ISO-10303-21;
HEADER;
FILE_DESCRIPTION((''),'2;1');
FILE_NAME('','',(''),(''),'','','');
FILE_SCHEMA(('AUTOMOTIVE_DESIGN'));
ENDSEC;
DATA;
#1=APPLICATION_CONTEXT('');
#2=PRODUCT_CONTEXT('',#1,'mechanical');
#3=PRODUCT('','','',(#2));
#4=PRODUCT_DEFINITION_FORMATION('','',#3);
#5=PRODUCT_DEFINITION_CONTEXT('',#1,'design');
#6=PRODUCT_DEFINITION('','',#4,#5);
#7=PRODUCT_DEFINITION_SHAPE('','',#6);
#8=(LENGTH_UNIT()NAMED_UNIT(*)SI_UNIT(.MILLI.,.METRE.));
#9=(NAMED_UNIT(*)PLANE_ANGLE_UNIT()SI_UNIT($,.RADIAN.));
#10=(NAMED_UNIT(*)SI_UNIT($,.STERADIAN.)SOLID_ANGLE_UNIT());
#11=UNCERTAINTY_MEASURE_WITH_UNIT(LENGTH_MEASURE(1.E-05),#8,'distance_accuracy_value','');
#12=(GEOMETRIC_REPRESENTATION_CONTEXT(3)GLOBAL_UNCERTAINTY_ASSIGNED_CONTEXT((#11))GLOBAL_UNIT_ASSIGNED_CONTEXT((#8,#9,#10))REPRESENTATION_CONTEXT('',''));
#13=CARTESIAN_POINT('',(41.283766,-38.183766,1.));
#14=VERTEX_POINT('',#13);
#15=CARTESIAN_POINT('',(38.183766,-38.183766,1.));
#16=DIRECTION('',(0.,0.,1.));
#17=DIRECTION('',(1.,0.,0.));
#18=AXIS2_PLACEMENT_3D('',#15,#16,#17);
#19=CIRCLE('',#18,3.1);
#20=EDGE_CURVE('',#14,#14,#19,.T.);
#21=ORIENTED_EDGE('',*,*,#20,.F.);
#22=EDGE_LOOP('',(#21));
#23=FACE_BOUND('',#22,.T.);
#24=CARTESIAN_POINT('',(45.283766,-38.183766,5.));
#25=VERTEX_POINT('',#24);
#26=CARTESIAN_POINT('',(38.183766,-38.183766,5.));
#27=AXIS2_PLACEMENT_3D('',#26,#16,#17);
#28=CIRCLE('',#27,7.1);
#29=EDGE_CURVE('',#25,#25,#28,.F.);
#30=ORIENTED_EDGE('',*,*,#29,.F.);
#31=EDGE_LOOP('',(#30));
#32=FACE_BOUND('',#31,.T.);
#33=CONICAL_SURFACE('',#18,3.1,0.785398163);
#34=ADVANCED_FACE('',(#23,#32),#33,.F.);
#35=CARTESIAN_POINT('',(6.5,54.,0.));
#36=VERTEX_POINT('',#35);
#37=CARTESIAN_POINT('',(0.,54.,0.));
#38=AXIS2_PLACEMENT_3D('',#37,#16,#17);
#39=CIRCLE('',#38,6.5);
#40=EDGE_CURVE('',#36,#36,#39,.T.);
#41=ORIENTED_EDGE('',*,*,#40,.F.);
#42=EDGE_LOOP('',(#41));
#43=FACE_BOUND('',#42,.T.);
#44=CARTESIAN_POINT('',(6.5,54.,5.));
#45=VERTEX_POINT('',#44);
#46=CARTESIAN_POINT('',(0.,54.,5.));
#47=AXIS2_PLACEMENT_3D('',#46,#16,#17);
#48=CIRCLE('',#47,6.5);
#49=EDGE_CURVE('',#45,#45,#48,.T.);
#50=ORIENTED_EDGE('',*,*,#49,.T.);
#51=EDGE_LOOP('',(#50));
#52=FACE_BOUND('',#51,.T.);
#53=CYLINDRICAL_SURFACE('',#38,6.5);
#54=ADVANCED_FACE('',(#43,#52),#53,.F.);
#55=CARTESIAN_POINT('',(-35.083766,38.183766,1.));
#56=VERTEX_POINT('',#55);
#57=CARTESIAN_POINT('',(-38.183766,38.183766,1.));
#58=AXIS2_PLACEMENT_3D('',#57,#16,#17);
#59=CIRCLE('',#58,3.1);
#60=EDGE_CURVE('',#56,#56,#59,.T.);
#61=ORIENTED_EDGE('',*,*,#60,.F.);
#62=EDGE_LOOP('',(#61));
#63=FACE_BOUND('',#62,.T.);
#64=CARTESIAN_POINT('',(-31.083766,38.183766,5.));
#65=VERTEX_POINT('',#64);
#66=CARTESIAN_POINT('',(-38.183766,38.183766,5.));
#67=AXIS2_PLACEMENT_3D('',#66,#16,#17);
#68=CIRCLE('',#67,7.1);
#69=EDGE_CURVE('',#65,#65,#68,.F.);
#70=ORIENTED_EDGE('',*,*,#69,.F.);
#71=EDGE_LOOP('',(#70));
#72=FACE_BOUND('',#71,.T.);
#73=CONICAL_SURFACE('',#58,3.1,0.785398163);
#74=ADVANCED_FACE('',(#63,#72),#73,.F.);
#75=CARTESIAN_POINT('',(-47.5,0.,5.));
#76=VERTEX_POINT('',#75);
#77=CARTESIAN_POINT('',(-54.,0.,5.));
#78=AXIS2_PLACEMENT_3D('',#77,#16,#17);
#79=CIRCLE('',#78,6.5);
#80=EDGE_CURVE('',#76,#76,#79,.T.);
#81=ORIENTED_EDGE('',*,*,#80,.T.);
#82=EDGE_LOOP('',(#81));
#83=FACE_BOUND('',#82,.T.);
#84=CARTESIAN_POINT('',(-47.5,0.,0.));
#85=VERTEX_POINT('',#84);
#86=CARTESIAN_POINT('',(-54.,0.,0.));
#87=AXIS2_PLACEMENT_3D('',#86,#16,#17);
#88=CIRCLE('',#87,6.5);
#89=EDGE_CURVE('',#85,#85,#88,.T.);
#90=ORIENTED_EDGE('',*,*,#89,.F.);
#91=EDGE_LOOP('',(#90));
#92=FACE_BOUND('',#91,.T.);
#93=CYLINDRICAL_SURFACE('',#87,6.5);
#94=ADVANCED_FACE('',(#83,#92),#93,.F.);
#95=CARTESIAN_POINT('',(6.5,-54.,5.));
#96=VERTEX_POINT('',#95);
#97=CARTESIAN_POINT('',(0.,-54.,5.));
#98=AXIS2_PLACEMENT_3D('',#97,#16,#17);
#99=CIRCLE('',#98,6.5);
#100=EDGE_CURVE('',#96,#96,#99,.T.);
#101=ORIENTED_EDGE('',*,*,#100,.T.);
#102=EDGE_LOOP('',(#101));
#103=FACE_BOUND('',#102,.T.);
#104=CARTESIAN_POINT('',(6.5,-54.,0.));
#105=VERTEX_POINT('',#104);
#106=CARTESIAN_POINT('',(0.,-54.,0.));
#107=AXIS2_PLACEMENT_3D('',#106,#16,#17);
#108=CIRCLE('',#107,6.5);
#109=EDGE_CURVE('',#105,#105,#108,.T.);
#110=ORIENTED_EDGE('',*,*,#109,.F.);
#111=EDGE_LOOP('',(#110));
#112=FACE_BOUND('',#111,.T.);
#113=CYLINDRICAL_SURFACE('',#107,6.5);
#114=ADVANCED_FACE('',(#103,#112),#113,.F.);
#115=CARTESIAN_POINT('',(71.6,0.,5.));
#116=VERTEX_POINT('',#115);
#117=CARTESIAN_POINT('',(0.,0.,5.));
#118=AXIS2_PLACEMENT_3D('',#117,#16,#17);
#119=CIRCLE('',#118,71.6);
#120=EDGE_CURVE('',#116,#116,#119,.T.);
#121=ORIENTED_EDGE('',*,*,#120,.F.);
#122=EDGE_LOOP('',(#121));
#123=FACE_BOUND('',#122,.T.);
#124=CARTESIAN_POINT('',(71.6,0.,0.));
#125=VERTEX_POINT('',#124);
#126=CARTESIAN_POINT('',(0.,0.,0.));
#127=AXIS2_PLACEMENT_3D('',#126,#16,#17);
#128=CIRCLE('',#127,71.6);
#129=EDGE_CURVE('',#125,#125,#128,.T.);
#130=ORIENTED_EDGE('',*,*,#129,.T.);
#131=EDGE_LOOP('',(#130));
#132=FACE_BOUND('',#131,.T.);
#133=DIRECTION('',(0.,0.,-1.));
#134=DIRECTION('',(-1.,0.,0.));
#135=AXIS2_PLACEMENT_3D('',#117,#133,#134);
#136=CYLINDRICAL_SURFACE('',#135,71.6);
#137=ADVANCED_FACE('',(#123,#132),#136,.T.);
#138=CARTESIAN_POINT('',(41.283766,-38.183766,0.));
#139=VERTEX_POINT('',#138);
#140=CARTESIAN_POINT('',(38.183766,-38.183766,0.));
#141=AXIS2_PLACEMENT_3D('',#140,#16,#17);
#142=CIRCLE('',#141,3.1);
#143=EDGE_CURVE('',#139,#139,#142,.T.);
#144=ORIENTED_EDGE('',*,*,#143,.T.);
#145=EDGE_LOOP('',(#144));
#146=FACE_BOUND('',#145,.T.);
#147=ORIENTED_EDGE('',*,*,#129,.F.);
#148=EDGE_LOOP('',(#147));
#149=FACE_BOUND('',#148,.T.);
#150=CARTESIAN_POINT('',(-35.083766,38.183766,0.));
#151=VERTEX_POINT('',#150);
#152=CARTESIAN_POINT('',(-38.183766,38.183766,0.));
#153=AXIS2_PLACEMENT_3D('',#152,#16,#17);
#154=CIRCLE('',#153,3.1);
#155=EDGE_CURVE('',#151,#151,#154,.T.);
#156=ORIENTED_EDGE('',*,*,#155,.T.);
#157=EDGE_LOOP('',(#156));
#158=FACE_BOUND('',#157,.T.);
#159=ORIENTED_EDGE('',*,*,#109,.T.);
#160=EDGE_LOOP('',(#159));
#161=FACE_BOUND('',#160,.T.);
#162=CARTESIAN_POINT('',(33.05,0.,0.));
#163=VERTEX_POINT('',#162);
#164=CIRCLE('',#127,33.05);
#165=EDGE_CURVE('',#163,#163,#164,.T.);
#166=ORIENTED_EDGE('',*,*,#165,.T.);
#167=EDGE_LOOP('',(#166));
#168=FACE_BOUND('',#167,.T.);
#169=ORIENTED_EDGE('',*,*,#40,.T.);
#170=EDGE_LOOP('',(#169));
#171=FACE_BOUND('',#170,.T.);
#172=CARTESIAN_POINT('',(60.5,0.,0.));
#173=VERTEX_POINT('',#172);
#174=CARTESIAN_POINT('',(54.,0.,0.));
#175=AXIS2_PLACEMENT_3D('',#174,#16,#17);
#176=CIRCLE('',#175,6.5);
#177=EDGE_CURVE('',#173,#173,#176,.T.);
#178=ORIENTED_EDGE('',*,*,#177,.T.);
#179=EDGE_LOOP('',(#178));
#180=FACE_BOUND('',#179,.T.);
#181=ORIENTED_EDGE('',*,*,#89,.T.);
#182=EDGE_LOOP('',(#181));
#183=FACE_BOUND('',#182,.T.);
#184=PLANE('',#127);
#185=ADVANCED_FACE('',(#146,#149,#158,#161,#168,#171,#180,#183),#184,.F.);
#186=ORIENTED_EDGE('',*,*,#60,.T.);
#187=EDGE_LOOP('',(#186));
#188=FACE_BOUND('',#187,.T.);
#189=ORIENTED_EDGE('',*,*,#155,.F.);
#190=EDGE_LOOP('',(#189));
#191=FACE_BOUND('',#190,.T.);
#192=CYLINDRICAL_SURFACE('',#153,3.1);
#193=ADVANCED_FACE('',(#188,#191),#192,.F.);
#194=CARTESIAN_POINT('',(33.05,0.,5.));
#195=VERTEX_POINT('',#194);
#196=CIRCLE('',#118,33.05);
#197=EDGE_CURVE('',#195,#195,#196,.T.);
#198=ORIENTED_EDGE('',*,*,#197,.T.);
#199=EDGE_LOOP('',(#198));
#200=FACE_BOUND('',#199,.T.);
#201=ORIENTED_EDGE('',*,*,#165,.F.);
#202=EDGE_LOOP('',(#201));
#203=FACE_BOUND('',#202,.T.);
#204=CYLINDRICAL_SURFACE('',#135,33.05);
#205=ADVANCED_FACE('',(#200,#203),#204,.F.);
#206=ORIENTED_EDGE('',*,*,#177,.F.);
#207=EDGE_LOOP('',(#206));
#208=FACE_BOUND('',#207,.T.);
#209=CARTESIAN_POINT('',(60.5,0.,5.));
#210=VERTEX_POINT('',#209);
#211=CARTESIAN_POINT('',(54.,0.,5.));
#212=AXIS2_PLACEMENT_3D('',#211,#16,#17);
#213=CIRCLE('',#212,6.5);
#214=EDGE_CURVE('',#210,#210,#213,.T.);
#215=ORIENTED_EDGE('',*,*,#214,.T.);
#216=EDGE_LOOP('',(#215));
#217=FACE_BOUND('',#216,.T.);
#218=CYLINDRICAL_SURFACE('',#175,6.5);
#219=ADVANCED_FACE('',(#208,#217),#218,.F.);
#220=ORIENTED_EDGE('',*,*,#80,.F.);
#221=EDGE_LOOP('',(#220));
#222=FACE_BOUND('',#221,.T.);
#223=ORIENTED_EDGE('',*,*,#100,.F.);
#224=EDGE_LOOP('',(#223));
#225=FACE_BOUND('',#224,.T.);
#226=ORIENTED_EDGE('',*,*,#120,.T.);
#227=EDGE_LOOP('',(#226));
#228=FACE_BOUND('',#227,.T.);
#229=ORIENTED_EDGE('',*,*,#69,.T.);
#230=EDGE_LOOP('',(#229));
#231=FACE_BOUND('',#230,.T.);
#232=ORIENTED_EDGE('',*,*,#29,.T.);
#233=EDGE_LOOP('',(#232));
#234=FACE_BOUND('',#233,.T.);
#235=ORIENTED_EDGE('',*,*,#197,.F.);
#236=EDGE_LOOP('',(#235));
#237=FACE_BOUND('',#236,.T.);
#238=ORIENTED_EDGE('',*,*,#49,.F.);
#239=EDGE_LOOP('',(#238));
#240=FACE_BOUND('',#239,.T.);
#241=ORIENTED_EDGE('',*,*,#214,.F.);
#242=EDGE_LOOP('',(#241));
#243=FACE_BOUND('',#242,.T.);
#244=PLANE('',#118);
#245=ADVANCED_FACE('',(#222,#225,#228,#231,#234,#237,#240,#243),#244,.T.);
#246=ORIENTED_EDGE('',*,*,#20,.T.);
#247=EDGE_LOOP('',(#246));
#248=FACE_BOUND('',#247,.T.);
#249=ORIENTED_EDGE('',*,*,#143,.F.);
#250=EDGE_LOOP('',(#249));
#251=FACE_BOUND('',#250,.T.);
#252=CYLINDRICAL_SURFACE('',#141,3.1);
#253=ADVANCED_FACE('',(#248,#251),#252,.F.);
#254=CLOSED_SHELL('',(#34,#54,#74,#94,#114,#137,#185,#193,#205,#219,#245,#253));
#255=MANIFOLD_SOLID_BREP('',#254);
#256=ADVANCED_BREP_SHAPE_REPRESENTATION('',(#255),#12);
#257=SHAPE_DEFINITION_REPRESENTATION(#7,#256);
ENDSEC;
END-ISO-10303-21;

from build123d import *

# Parameters (mm, degrees)
ESQUISSE1_R             = 71.6
ESQUISSE1_R_2           = 33.05
BOSS_EXTRU_1_DEPTH      = 5
ESQUISSE2_R             = 6.5
ENL_V_MAT_EXTRU_1_DEPTH = 6
ESQUISSE3_R             = 3.1
ENL_V_MAT_EXTRU_2_DEPTH = 6
CHANFREIN1_SIZE         = 4


with BuildPart() as part:
    # Esquisse1 → Boss.-Extru.1 (new body)
    with BuildSketch(Plane.XY):
        Circle(ESQUISSE1_R)
        Circle(ESQUISSE1_R_2, mode=Mode.SUBTRACT)
    extrude(amount=BOSS_EXTRU_1_DEPTH)

    # Esquisse2 → Enlèv. mat.-Extru.1 (cut, through all)
    with BuildSketch(Plane.XY.offset(5)):
        with Locations((0, 54)):
            Circle(ESQUISSE2_R)
        with Locations((54, 0)):
            Circle(ESQUISSE2_R)
        with Locations((-54, 0)):
            Circle(ESQUISSE2_R)
        with Locations((0, -54)):
            Circle(ESQUISSE2_R)
    extrude(amount=-ENL_V_MAT_EXTRU_1_DEPTH, mode=Mode.SUBTRACT)

    # Esquisse3 → Enlèv. mat.-Extru.2 (cut, through all)
    with BuildSketch(Plane.XY.offset(5)):
        with Locations((-38.183766184, 38.183766184)):
            Circle(ESQUISSE3_R)
        with Locations((38.183766184, -38.183766184)):
            Circle(ESQUISSE3_R)
    extrude(amount=-ENL_V_MAT_EXTRU_2_DEPTH, mode=Mode.SUBTRACT)

    # Chanfrein1
    chanfrein1_edges = [part.edges().sort_by_distance(p)[0] for p in [
        (-41.283766184, 38.183766184, 5),
        (35.083766184, -38.183766184, 5),
    ]]
    chamfer(chanfrein1_edges, length=CHANFREIN1_SIZE)


solid = part.part
